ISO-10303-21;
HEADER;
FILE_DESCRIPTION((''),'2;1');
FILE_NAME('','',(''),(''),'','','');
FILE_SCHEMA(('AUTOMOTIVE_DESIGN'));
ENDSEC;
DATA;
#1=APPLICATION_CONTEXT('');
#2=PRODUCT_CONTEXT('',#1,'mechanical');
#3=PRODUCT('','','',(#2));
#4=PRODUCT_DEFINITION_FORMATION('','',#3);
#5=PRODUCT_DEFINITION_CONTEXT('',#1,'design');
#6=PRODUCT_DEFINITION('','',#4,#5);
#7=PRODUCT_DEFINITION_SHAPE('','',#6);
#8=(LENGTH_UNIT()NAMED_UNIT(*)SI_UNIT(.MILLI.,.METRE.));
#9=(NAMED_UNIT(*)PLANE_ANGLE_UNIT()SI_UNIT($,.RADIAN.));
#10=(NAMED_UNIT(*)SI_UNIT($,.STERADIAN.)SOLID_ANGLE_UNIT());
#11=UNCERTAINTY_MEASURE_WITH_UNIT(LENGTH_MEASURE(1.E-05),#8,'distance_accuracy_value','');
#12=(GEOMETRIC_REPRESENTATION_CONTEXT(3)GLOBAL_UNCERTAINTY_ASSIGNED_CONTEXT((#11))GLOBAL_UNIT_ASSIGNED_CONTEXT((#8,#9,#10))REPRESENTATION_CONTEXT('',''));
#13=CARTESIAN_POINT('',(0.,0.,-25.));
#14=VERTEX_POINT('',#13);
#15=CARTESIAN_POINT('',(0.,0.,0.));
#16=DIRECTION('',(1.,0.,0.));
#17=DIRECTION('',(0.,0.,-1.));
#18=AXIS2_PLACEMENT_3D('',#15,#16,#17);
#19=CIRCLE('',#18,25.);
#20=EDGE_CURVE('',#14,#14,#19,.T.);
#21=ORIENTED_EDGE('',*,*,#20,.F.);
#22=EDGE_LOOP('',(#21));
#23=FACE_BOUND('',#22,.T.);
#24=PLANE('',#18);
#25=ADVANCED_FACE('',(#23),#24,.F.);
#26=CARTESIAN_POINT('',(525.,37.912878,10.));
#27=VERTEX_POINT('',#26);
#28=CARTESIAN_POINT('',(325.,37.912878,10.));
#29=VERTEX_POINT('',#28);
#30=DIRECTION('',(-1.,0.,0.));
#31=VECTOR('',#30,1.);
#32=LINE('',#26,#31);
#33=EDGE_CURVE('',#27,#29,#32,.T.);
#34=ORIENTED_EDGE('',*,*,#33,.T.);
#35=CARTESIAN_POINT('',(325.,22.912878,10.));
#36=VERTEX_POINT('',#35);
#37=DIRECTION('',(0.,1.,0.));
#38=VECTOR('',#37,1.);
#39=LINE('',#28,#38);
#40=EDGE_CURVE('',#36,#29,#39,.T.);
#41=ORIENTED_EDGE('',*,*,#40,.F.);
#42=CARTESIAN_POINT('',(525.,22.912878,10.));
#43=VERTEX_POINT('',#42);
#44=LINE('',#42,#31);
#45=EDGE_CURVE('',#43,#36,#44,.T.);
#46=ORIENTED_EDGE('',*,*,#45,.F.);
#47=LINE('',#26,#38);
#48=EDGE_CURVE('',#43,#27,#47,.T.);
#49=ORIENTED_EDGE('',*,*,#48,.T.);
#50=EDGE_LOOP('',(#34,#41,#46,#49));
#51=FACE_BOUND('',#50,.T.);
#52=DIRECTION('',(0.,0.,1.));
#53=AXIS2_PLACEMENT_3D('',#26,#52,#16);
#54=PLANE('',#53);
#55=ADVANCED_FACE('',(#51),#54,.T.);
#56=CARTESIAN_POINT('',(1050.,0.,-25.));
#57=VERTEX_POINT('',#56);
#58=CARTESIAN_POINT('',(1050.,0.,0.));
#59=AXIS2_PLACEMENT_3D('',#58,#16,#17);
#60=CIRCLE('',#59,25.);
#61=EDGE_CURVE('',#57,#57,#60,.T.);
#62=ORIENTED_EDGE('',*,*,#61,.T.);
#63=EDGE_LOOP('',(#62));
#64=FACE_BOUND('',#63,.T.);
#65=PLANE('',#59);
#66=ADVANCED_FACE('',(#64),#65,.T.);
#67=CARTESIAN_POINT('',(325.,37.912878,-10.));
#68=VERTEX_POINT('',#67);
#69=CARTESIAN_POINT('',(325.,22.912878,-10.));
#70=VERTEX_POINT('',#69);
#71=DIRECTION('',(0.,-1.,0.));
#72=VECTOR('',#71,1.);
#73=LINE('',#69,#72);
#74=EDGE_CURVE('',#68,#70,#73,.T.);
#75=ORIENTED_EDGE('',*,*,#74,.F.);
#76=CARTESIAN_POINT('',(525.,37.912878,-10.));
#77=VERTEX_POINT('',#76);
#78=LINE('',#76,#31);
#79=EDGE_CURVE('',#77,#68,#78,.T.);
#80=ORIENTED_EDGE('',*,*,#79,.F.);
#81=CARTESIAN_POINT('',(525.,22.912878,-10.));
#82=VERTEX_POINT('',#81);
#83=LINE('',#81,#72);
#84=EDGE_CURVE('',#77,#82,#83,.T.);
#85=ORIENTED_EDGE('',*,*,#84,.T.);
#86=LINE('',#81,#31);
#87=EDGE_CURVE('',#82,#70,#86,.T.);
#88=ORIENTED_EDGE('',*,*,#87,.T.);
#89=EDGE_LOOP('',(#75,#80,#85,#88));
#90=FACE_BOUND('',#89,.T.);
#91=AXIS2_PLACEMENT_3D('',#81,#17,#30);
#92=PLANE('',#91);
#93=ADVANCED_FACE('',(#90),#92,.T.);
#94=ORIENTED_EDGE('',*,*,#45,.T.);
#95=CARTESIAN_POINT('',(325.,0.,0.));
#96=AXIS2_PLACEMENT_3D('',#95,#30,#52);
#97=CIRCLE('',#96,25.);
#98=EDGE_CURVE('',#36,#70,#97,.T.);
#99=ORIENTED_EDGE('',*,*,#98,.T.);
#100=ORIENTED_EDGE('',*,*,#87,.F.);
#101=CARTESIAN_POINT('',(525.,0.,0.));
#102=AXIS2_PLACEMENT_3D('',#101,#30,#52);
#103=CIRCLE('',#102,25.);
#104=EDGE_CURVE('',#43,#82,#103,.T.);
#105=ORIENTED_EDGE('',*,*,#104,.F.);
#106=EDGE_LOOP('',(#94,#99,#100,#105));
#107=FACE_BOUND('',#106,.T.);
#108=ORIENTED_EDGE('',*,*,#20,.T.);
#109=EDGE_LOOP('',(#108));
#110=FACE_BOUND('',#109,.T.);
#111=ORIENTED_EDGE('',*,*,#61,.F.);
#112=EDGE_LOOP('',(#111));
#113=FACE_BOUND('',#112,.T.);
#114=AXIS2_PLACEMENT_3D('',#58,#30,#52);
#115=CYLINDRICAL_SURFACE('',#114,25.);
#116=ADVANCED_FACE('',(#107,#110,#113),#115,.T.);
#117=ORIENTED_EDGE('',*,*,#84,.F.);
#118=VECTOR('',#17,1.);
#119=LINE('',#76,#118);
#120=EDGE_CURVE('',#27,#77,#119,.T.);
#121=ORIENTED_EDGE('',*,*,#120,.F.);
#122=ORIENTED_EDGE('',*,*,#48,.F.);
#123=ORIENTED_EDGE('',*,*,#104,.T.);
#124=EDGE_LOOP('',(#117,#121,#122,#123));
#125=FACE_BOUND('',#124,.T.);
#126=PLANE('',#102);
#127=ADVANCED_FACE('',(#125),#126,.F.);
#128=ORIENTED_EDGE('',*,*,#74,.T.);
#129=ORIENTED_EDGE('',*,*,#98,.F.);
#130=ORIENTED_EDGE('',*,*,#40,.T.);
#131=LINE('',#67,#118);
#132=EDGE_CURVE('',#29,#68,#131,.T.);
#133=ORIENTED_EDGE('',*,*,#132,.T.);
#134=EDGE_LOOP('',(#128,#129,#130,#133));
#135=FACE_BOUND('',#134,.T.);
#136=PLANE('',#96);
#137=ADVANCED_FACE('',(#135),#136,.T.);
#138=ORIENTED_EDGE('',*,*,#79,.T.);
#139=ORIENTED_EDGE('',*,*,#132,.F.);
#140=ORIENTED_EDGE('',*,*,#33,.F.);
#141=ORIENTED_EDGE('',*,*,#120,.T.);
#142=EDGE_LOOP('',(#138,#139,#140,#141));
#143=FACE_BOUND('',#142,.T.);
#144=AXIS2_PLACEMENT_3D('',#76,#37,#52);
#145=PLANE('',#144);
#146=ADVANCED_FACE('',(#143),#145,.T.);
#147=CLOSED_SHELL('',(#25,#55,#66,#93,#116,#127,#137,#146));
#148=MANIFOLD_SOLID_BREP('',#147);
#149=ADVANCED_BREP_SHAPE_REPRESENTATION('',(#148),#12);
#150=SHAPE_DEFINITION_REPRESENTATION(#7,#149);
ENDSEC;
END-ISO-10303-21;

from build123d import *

# Parameters (mm, degrees)
SKETCH1_R           = 25
BOSS_EXTRUDE1_DEPTH = 1050
SKETCH2_W           = 20
SKETCH2_H           = 15
BOSS_EXTRUDE2_DEPTH = 200


with BuildPart() as part:
    # Sketch1 → Boss-Extrude1 (new body)
    with BuildSketch(Plane(origin=(0, 0, 0), x_dir=(0, 0, -1), z_dir=(1, 0, 0))):
        Circle(SKETCH1_R)
    extrude(amount=BOSS_EXTRUDE1_DEPTH)

    # Sketch2 → Boss-Extrude2 (add)
    with BuildSketch(Plane.ZY.offset(-325)):
        with Locations((0, 30.412878475)):
            Rectangle(SKETCH2_W, SKETCH2_H)
    extrude(amount=-BOSS_EXTRUDE2_DEPTH)


solid = part.part
